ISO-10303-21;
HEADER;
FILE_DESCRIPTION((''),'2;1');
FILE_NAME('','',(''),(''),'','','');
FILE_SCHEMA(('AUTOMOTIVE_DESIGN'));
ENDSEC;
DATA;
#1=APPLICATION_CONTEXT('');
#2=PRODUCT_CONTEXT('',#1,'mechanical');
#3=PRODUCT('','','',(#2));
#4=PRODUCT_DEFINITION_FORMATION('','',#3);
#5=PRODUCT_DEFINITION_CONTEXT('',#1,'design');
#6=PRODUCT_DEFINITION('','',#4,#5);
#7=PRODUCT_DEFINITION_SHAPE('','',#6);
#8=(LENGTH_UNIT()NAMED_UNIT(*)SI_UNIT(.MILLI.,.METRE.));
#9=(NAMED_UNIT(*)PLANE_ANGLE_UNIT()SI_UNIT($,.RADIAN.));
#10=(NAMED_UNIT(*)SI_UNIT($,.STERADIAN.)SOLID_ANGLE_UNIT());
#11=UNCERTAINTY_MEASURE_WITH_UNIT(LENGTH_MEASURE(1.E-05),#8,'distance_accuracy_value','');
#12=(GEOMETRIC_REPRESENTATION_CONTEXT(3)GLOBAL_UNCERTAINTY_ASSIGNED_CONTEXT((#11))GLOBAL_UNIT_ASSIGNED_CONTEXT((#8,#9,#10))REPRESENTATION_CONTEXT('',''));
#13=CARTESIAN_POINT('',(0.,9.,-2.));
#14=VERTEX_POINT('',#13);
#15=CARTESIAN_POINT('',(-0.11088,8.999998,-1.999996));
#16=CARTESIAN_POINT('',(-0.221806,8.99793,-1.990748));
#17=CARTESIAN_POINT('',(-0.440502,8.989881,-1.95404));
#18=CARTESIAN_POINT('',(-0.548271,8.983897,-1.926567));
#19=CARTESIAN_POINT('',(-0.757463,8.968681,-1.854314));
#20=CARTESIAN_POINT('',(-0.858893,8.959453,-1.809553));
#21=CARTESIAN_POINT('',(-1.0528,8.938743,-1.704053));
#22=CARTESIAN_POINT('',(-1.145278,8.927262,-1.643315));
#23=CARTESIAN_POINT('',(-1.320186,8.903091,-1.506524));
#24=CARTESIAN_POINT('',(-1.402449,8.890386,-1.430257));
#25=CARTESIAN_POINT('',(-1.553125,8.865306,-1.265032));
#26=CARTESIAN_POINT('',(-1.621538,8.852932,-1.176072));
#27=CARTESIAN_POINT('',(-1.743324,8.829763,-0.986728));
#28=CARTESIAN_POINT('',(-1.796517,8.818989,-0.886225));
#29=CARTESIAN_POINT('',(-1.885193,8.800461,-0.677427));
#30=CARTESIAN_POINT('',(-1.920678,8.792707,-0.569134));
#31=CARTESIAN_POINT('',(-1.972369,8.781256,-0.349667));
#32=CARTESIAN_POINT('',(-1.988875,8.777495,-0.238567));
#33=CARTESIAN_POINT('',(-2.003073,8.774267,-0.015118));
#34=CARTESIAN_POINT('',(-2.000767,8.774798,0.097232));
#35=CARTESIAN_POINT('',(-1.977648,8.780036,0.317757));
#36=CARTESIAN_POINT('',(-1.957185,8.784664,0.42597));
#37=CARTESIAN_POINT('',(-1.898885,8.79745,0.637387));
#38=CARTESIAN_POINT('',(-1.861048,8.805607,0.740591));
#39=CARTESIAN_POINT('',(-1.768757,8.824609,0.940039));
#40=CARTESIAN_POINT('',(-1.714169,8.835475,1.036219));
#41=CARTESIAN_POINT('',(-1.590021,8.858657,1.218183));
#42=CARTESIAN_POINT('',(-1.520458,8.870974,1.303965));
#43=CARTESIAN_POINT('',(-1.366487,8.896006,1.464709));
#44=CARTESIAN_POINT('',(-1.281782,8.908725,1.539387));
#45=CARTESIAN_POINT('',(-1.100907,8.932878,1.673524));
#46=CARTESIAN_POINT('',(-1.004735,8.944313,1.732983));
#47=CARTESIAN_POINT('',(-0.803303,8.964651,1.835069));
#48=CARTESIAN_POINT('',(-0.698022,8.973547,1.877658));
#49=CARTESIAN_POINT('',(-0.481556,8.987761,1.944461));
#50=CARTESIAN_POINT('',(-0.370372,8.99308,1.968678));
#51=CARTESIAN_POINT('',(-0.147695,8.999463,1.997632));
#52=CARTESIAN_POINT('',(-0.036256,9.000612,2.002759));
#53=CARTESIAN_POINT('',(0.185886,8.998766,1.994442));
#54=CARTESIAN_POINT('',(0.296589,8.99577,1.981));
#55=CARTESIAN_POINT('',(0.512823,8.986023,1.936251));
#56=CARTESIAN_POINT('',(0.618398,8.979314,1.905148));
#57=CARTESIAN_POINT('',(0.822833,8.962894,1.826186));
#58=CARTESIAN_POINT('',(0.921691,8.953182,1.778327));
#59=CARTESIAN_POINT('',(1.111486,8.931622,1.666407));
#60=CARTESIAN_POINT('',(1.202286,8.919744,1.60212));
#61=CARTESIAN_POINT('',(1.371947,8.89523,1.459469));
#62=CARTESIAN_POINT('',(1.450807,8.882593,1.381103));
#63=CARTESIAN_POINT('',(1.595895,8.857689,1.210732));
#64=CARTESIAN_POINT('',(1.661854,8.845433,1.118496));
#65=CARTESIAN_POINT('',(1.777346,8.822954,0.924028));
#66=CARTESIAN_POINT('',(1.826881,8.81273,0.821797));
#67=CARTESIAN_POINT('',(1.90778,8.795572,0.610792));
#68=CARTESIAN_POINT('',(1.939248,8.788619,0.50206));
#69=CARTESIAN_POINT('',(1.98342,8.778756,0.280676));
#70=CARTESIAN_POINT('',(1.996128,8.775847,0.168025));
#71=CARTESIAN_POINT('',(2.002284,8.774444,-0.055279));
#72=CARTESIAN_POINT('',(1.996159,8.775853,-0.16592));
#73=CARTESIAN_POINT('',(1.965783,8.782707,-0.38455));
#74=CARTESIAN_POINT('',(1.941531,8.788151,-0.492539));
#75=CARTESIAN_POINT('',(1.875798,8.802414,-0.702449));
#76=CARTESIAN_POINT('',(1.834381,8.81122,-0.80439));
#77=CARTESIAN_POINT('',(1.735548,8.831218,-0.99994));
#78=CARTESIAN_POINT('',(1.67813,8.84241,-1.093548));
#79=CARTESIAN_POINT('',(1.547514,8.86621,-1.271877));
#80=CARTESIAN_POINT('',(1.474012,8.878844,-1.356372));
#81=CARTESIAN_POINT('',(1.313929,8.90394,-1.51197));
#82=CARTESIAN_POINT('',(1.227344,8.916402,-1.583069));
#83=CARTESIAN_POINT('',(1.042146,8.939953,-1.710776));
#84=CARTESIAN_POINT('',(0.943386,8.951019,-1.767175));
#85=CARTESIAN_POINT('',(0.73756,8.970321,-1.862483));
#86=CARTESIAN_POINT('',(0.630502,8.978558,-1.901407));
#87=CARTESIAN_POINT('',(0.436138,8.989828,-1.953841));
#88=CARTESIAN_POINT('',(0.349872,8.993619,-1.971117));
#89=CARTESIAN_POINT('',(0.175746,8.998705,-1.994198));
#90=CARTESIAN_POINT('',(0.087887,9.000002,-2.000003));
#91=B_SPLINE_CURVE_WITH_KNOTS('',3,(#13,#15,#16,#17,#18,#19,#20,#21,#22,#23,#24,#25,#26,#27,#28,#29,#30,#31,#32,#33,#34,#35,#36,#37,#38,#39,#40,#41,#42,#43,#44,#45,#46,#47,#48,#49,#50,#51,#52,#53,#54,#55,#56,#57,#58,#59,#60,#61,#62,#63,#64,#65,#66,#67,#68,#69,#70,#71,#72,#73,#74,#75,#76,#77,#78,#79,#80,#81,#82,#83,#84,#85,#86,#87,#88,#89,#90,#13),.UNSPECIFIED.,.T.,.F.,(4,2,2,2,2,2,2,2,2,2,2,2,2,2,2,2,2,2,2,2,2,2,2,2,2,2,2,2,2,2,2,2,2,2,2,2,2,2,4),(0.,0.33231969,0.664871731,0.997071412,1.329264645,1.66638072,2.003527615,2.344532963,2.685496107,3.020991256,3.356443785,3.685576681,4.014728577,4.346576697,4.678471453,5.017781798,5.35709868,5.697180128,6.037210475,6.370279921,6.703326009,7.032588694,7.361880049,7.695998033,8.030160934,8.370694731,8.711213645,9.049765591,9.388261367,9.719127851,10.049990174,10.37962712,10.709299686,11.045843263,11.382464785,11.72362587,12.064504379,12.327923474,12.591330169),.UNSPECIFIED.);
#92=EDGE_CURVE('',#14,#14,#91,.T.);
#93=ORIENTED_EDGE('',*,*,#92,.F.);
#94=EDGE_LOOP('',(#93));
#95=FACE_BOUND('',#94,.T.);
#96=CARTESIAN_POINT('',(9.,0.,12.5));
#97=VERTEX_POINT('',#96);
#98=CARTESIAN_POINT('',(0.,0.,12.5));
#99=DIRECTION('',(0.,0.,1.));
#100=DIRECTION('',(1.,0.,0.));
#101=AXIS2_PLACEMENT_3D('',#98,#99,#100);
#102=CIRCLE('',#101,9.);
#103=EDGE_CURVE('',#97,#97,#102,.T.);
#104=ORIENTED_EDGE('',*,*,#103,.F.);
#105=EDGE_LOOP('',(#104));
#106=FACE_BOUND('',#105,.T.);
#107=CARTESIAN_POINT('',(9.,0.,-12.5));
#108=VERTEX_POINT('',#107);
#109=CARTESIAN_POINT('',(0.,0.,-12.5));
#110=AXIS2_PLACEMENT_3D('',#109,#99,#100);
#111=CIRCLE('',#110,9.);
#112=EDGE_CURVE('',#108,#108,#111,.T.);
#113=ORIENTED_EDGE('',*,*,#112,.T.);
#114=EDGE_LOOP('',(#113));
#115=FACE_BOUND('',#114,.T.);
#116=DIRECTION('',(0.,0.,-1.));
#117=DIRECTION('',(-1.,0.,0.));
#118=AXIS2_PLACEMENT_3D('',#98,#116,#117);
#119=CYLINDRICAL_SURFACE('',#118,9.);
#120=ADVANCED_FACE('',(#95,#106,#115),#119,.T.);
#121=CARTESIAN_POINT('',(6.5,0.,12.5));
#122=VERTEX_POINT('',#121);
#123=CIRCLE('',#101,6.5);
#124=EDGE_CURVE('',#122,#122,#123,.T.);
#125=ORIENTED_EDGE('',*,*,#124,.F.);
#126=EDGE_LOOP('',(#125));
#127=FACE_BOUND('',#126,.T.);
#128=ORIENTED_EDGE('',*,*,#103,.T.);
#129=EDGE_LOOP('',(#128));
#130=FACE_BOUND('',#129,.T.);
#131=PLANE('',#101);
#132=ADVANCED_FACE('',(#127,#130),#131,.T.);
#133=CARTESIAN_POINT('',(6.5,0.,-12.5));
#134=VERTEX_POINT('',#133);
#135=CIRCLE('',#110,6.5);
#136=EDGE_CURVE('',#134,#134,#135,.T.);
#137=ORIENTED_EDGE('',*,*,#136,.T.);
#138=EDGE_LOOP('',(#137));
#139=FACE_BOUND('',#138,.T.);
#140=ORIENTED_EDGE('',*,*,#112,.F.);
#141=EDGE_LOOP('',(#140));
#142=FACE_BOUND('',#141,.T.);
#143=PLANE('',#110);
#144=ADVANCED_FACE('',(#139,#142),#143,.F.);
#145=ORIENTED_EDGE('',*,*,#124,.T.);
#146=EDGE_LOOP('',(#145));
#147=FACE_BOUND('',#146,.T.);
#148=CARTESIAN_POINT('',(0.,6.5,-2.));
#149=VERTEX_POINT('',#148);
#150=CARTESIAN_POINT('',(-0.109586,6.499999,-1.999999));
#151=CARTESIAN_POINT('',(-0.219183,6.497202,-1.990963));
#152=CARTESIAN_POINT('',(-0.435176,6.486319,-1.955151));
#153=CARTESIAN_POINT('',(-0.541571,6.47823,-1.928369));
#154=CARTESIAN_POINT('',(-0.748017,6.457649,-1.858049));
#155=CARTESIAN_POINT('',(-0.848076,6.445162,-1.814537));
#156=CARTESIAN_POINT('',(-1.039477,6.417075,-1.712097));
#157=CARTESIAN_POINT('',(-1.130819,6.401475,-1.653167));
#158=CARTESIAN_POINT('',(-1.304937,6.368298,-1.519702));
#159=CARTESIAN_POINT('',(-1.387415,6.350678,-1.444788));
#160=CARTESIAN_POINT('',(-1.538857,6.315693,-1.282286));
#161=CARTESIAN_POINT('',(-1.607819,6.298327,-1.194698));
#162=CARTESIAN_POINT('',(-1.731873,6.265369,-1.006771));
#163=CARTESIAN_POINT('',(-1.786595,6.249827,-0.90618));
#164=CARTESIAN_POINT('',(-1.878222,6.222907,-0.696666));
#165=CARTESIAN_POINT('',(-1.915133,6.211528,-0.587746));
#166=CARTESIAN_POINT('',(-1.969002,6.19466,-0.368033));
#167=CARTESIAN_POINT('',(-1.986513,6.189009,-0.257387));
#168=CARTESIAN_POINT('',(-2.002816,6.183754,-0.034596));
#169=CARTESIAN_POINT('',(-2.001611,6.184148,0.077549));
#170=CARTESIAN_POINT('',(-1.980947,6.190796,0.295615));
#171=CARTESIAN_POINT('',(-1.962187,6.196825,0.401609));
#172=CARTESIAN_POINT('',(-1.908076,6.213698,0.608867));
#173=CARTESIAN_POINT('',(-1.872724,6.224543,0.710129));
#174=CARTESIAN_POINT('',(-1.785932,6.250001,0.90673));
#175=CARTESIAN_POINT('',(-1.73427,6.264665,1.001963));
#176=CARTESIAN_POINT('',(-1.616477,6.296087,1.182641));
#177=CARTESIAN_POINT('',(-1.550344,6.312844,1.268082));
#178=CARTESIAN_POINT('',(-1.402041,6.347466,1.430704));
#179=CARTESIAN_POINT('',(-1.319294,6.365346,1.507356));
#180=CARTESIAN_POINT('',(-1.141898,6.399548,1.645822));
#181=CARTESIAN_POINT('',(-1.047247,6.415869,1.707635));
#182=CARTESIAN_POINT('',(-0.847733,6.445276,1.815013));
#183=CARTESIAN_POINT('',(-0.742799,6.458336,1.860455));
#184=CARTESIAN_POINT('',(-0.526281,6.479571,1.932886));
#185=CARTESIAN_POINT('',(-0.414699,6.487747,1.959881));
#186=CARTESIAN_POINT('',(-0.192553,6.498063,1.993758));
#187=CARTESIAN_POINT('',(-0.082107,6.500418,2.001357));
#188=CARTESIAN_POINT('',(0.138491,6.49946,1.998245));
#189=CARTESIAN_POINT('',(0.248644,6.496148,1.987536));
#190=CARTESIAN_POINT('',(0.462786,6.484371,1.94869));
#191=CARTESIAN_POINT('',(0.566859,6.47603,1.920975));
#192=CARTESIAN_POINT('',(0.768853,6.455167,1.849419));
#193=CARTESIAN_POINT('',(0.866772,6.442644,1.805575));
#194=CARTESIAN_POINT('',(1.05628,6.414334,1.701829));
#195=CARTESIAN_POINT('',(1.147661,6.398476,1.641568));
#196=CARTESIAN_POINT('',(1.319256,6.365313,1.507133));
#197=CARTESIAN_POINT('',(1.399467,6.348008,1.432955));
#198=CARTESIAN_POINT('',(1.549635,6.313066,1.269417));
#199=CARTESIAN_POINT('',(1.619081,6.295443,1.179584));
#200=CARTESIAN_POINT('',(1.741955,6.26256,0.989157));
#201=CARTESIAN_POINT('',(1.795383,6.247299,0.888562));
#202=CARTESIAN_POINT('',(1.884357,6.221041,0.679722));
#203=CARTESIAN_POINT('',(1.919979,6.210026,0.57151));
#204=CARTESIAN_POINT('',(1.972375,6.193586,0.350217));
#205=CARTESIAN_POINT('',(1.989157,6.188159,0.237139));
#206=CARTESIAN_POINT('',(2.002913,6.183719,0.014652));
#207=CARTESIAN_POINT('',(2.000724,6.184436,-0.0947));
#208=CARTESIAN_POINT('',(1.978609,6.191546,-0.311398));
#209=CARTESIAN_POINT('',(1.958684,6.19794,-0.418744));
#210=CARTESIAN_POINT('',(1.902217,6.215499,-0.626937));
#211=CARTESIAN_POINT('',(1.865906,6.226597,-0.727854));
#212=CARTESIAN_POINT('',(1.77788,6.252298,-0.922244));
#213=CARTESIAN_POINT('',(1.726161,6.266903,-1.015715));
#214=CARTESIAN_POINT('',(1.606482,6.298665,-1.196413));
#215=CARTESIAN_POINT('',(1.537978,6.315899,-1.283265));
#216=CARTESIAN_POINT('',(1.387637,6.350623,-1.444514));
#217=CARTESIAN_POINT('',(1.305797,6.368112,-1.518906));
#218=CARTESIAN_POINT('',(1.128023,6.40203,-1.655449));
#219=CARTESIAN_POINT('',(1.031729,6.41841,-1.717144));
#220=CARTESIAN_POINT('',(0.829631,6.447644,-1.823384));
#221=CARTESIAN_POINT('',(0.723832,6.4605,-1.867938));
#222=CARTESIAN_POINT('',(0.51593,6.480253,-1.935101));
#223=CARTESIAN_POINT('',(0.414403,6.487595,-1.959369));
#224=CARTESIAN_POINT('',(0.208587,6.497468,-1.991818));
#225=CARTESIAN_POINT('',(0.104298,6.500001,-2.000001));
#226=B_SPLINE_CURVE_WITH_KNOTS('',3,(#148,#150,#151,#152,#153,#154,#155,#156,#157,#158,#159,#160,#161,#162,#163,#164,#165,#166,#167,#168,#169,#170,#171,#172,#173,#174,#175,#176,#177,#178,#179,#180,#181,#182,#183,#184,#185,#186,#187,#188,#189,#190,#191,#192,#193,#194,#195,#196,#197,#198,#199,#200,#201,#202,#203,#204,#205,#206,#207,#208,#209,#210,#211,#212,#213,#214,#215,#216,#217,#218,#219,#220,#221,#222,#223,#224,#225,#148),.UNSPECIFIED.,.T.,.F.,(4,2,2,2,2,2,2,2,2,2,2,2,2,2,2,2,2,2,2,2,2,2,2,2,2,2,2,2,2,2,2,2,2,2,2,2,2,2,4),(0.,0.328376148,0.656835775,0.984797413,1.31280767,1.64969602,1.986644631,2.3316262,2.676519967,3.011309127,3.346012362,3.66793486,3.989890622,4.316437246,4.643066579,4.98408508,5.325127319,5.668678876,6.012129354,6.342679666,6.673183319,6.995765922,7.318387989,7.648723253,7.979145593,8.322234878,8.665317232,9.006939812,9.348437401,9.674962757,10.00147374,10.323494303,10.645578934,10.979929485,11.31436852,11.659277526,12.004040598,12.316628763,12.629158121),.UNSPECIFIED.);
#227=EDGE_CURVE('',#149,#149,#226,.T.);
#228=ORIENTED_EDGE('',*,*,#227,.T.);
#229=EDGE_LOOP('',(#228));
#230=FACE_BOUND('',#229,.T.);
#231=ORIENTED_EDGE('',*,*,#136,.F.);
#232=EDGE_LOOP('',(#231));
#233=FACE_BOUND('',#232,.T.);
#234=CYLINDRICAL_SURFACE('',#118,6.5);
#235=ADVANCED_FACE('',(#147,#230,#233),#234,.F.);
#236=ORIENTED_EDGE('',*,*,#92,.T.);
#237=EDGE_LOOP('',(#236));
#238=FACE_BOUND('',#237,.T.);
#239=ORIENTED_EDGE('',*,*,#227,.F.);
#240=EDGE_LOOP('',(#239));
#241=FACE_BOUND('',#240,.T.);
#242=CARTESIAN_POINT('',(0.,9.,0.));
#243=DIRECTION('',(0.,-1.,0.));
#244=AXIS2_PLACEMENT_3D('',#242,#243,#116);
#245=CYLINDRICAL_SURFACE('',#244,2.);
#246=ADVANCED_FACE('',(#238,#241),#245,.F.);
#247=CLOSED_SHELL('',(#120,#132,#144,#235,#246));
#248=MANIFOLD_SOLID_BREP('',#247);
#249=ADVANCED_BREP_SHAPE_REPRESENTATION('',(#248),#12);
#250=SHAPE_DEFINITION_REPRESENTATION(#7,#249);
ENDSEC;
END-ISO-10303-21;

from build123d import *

# Parameters (mm, degrees)
SKETCH1_R           = 9
SKETCH1_R_2         = 6.5
BOSS_EXTRUDE1_DEPTH = 12.5
SKETCH2_R           = 2
CUT_EXTRUDE1_DEPTH  = 18.839562775


with BuildPart() as part:
    # Sketch1 → Boss-Extrude1 (new, symmetric)
    with BuildSketch(Plane.XY):
        Circle(SKETCH1_R)
        Circle(SKETCH1_R_2, mode=Mode.SUBTRACT)
    extrude(amount=BOSS_EXTRUDE1_DEPTH, both=True)

    # Sketch2 → Cut-Extrude1 (cut, through all)
    with BuildSketch(Plane(origin=(0, 0, 0), x_dir=(1, 0, 0), z_dir=(0, 1, 0))):
        with Locations(Location((0, 0, 0), (0, 0, 90))):
            Circle(SKETCH2_R)
    extrude(amount=CUT_EXTRUDE1_DEPTH, mode=Mode.SUBTRACT)


solid = part.part
